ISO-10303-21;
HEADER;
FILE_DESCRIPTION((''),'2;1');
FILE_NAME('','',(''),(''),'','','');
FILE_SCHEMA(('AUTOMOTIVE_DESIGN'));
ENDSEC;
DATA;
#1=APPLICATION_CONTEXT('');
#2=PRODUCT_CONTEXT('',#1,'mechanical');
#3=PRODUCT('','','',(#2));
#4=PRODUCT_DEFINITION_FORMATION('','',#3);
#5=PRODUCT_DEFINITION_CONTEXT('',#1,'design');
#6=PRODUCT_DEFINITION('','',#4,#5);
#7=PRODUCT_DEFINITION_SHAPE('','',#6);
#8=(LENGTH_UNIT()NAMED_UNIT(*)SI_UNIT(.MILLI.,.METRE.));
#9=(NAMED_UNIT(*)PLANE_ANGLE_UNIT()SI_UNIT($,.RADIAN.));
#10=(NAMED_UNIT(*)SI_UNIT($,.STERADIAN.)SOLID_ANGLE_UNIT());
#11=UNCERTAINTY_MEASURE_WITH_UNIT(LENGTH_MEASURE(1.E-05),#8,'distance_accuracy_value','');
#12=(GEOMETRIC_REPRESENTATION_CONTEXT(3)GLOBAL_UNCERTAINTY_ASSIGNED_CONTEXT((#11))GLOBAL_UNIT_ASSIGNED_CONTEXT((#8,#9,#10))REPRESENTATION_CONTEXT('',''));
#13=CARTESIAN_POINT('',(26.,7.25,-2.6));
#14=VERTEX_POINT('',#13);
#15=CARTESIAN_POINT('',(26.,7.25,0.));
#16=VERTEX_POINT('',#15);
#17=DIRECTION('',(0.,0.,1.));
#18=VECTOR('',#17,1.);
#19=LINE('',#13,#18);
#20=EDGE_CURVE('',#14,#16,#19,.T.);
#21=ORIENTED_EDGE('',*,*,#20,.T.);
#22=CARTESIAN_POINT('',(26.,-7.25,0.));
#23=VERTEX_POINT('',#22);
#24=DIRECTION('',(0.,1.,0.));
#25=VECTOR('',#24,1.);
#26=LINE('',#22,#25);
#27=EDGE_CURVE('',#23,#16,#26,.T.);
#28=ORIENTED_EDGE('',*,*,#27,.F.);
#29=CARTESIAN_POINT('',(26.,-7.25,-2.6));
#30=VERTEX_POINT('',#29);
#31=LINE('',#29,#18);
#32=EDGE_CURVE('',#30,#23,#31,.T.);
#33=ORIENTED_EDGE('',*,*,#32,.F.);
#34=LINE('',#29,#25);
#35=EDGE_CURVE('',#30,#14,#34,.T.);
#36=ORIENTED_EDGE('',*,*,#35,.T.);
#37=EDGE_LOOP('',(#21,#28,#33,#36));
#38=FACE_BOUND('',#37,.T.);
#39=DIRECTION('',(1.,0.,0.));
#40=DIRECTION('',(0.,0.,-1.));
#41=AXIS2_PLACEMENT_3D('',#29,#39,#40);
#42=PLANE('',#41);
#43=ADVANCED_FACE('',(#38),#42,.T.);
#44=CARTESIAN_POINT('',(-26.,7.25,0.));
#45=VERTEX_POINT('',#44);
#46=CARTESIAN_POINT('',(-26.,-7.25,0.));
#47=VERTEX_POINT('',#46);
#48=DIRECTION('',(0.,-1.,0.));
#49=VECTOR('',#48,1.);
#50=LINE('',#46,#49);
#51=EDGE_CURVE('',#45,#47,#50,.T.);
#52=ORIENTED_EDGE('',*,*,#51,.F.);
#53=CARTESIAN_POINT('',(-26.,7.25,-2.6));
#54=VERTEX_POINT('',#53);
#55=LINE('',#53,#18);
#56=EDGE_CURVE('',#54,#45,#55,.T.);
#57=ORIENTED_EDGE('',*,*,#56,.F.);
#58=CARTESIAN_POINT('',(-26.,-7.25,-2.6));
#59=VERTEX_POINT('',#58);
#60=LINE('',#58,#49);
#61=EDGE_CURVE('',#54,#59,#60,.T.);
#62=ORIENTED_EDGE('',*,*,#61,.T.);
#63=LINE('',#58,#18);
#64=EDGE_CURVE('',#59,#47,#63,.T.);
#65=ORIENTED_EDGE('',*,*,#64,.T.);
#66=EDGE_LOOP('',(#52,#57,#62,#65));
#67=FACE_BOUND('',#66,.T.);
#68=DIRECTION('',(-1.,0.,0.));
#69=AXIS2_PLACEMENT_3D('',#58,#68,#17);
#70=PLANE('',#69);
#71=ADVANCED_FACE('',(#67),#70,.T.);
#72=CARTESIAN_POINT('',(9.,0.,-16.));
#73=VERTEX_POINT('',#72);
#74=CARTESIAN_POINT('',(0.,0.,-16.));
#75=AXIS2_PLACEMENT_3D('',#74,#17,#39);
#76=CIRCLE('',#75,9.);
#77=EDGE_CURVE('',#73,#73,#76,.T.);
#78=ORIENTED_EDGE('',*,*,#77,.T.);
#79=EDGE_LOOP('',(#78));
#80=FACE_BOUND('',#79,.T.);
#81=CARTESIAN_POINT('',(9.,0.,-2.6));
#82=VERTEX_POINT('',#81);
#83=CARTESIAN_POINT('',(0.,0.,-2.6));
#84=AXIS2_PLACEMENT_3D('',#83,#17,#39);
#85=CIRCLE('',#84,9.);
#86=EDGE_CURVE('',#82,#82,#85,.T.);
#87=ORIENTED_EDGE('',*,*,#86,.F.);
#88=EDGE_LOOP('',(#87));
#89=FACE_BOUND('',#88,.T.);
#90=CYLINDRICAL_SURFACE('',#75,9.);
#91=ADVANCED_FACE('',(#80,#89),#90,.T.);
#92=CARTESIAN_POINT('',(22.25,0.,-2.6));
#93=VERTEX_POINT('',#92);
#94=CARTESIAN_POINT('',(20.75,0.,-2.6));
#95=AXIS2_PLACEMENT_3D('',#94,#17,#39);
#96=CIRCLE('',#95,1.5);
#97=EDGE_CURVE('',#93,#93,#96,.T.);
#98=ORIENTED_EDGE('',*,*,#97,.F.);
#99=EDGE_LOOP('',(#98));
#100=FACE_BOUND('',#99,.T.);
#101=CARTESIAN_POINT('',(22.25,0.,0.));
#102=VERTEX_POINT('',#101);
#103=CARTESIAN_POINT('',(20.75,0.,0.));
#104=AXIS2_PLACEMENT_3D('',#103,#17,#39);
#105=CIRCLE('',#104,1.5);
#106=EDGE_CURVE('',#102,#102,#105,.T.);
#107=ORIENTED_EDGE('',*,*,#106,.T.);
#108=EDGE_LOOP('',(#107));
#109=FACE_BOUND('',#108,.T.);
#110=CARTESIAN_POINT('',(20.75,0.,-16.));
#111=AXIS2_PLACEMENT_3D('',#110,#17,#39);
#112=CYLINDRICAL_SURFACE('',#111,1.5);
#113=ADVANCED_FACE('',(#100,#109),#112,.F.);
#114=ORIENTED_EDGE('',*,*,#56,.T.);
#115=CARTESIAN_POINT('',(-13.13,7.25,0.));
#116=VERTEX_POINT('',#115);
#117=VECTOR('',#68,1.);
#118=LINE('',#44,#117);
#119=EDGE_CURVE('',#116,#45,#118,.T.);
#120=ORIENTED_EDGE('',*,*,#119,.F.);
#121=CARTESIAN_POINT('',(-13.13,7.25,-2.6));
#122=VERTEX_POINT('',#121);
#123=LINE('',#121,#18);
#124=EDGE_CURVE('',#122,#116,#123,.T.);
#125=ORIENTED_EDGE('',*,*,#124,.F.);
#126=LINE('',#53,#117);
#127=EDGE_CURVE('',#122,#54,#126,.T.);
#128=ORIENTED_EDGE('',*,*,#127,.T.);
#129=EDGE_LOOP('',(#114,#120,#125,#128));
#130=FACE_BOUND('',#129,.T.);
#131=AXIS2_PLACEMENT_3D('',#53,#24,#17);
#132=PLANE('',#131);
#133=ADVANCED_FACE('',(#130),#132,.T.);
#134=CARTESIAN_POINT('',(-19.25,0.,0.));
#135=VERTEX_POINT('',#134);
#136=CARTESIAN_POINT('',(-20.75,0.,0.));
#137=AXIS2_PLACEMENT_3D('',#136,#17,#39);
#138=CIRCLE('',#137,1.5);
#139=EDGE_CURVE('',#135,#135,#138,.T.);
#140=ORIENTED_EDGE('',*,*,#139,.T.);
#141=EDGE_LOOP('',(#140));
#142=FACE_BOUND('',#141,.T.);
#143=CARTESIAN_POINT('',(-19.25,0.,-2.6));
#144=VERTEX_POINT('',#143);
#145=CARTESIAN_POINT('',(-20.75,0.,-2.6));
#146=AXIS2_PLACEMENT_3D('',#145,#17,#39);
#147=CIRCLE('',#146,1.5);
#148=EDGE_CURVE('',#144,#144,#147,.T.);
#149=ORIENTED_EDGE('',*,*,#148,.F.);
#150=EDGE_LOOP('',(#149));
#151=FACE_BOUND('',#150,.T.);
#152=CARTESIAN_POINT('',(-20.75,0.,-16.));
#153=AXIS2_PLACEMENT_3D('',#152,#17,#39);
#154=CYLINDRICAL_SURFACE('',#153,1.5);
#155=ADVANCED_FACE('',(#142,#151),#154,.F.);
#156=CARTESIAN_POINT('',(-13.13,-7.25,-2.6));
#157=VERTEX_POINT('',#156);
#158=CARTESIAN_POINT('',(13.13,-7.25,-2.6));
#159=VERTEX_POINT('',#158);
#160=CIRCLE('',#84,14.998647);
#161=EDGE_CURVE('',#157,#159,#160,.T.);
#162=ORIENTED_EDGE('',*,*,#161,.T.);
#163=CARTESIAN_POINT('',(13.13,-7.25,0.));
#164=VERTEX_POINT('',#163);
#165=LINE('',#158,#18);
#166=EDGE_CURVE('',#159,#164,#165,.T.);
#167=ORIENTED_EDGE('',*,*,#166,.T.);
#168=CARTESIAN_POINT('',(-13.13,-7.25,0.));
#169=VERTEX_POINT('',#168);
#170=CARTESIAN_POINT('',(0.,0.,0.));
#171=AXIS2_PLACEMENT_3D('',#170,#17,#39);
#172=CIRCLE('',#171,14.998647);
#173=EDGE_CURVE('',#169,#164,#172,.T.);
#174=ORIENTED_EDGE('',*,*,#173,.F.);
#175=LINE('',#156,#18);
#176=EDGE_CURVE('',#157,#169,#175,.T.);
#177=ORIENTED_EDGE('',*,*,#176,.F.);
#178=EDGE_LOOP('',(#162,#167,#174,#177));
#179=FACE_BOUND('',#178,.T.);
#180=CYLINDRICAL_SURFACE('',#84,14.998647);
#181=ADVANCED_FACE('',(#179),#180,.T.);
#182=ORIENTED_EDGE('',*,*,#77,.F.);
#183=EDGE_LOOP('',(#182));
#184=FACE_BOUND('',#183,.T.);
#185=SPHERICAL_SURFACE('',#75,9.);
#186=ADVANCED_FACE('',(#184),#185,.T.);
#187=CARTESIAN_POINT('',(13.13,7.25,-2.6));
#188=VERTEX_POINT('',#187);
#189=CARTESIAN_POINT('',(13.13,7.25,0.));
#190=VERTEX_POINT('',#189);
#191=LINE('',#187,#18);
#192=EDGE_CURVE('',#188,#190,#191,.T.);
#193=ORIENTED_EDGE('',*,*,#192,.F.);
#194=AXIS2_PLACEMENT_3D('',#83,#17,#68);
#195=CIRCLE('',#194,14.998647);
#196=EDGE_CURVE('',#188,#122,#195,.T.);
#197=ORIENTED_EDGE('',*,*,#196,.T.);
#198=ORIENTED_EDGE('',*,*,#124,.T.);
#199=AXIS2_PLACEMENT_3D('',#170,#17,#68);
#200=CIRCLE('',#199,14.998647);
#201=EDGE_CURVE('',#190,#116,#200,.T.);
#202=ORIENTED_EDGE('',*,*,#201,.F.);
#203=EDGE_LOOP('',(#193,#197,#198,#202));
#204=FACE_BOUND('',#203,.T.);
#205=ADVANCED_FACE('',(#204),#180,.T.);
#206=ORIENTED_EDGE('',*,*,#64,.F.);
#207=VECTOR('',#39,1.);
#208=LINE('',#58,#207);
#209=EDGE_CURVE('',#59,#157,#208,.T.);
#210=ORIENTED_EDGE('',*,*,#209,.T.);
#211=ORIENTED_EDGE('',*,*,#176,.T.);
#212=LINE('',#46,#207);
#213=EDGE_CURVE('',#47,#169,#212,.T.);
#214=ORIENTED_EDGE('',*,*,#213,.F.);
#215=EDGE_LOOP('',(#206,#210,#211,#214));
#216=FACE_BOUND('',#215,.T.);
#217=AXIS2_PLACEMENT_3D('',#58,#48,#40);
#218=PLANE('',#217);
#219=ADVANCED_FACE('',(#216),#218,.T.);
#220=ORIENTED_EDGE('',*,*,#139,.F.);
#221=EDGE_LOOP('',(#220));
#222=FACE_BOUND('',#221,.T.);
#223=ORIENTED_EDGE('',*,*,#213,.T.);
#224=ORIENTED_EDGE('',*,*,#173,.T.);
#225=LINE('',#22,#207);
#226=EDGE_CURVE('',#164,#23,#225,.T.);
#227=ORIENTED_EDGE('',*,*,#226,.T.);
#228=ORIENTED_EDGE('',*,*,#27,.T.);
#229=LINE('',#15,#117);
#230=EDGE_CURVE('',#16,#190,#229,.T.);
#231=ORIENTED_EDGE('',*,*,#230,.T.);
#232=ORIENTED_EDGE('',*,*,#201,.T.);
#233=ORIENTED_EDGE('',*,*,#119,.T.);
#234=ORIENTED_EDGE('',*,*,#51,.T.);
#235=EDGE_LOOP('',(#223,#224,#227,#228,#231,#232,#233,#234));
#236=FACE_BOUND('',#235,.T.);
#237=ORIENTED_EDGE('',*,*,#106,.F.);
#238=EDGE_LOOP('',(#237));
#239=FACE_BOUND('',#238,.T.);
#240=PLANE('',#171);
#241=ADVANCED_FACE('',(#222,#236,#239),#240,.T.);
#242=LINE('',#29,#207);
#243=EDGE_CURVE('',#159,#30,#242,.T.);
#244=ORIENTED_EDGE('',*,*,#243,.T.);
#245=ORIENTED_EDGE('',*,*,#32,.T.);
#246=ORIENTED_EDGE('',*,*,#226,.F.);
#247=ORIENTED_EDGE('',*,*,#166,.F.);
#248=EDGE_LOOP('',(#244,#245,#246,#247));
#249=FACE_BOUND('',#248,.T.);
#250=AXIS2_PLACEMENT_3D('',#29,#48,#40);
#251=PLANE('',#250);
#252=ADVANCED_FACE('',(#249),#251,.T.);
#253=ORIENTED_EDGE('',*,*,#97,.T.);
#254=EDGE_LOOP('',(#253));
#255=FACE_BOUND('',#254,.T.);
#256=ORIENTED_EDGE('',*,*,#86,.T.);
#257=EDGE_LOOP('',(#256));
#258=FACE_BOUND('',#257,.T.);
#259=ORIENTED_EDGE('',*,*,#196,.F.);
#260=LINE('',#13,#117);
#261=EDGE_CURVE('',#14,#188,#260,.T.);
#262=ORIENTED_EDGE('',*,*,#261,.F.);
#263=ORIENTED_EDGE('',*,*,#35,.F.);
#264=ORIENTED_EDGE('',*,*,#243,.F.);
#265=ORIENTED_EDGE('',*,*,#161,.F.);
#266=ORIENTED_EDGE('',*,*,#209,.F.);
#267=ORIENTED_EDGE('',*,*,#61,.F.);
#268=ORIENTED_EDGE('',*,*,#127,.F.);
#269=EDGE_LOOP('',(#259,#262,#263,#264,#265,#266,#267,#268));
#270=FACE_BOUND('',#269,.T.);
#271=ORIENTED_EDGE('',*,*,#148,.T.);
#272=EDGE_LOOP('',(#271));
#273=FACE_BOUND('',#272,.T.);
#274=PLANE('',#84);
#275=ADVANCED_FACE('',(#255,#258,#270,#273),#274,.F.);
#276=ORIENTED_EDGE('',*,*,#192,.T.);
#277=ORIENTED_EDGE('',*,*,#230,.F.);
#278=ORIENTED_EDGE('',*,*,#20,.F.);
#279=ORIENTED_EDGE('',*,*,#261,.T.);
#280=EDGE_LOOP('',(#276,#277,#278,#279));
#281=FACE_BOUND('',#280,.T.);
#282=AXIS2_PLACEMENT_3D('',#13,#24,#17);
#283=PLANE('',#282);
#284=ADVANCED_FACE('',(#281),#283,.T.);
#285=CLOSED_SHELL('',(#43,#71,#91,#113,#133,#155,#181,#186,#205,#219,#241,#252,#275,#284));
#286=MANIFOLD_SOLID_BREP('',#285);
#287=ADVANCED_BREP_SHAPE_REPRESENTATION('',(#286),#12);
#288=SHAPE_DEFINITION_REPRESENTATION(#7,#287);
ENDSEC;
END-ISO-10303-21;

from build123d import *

# Parameters (mm, degrees)
BOSS_EXTRUDE2_DEPTH = 2.6
SKETCH2_R           = 9
BOSS_EXTRUDE3_DEPTH = 16
REVOLVE1_ANGLE      = 180
SKETCH5_R           = 1.5
CUT_EXTRUDE1_DEPTH  = 16


with BuildPart() as part:
    # Sketch1 → Boss-Extrude2 (new body)
    with BuildSketch(Plane.XY):
        with BuildLine():
            Line((-26, -7.25), (-26, 7.25))
            Line((-26, 7.25), (-13.13, 7.25))
            ThreePointArc((-13.13, 7.25), (0, 14.998646606), (13.13, 7.25))
            Line((13.13, 7.25), (26, 7.25))
            Line((26, 7.25), (26, -7.25))
            Line((26, -7.25), (13.13, -7.25))
            ThreePointArc((13.13, -7.25), (0, -14.998646606), (-13.13, -7.25))
            Line((-13.13, -7.25), (-26, -7.25))
        make_face()
    extrude(amount=-BOSS_EXTRUDE2_DEPTH)

    # Sketch2 → Boss-Extrude3 (add)
    with BuildSketch(Plane.XY):
        Circle(SKETCH2_R)
    extrude(amount=-BOSS_EXTRUDE3_DEPTH)

    # Sketch3 → Revolve1 (revolve)
    with BuildSketch(Plane(origin=(0, 0, -16), x_dir=(-1, 0, 0), z_dir=(0, 0, -1))):
        with BuildLine():
            Line((-9, 0), (9, 0))
            ThreePointArc((9, 0), (0, 9), (-9, 0))
        make_face()
    revolve(axis=Axis((9, 0, -16), (-1, 0, 0)), revolution_arc=REVOLVE1_ANGLE)

    # Sketch5 → Cut-Extrude1 (cut)
    with BuildSketch(Plane.XY):
        with Locations((-20.75, 0)):
            Circle(SKETCH5_R)
        with Locations((20.75, 0)):
            Circle(SKETCH5_R)
    extrude(amount=-CUT_EXTRUDE1_DEPTH, mode=Mode.SUBTRACT)


solid = part.part
